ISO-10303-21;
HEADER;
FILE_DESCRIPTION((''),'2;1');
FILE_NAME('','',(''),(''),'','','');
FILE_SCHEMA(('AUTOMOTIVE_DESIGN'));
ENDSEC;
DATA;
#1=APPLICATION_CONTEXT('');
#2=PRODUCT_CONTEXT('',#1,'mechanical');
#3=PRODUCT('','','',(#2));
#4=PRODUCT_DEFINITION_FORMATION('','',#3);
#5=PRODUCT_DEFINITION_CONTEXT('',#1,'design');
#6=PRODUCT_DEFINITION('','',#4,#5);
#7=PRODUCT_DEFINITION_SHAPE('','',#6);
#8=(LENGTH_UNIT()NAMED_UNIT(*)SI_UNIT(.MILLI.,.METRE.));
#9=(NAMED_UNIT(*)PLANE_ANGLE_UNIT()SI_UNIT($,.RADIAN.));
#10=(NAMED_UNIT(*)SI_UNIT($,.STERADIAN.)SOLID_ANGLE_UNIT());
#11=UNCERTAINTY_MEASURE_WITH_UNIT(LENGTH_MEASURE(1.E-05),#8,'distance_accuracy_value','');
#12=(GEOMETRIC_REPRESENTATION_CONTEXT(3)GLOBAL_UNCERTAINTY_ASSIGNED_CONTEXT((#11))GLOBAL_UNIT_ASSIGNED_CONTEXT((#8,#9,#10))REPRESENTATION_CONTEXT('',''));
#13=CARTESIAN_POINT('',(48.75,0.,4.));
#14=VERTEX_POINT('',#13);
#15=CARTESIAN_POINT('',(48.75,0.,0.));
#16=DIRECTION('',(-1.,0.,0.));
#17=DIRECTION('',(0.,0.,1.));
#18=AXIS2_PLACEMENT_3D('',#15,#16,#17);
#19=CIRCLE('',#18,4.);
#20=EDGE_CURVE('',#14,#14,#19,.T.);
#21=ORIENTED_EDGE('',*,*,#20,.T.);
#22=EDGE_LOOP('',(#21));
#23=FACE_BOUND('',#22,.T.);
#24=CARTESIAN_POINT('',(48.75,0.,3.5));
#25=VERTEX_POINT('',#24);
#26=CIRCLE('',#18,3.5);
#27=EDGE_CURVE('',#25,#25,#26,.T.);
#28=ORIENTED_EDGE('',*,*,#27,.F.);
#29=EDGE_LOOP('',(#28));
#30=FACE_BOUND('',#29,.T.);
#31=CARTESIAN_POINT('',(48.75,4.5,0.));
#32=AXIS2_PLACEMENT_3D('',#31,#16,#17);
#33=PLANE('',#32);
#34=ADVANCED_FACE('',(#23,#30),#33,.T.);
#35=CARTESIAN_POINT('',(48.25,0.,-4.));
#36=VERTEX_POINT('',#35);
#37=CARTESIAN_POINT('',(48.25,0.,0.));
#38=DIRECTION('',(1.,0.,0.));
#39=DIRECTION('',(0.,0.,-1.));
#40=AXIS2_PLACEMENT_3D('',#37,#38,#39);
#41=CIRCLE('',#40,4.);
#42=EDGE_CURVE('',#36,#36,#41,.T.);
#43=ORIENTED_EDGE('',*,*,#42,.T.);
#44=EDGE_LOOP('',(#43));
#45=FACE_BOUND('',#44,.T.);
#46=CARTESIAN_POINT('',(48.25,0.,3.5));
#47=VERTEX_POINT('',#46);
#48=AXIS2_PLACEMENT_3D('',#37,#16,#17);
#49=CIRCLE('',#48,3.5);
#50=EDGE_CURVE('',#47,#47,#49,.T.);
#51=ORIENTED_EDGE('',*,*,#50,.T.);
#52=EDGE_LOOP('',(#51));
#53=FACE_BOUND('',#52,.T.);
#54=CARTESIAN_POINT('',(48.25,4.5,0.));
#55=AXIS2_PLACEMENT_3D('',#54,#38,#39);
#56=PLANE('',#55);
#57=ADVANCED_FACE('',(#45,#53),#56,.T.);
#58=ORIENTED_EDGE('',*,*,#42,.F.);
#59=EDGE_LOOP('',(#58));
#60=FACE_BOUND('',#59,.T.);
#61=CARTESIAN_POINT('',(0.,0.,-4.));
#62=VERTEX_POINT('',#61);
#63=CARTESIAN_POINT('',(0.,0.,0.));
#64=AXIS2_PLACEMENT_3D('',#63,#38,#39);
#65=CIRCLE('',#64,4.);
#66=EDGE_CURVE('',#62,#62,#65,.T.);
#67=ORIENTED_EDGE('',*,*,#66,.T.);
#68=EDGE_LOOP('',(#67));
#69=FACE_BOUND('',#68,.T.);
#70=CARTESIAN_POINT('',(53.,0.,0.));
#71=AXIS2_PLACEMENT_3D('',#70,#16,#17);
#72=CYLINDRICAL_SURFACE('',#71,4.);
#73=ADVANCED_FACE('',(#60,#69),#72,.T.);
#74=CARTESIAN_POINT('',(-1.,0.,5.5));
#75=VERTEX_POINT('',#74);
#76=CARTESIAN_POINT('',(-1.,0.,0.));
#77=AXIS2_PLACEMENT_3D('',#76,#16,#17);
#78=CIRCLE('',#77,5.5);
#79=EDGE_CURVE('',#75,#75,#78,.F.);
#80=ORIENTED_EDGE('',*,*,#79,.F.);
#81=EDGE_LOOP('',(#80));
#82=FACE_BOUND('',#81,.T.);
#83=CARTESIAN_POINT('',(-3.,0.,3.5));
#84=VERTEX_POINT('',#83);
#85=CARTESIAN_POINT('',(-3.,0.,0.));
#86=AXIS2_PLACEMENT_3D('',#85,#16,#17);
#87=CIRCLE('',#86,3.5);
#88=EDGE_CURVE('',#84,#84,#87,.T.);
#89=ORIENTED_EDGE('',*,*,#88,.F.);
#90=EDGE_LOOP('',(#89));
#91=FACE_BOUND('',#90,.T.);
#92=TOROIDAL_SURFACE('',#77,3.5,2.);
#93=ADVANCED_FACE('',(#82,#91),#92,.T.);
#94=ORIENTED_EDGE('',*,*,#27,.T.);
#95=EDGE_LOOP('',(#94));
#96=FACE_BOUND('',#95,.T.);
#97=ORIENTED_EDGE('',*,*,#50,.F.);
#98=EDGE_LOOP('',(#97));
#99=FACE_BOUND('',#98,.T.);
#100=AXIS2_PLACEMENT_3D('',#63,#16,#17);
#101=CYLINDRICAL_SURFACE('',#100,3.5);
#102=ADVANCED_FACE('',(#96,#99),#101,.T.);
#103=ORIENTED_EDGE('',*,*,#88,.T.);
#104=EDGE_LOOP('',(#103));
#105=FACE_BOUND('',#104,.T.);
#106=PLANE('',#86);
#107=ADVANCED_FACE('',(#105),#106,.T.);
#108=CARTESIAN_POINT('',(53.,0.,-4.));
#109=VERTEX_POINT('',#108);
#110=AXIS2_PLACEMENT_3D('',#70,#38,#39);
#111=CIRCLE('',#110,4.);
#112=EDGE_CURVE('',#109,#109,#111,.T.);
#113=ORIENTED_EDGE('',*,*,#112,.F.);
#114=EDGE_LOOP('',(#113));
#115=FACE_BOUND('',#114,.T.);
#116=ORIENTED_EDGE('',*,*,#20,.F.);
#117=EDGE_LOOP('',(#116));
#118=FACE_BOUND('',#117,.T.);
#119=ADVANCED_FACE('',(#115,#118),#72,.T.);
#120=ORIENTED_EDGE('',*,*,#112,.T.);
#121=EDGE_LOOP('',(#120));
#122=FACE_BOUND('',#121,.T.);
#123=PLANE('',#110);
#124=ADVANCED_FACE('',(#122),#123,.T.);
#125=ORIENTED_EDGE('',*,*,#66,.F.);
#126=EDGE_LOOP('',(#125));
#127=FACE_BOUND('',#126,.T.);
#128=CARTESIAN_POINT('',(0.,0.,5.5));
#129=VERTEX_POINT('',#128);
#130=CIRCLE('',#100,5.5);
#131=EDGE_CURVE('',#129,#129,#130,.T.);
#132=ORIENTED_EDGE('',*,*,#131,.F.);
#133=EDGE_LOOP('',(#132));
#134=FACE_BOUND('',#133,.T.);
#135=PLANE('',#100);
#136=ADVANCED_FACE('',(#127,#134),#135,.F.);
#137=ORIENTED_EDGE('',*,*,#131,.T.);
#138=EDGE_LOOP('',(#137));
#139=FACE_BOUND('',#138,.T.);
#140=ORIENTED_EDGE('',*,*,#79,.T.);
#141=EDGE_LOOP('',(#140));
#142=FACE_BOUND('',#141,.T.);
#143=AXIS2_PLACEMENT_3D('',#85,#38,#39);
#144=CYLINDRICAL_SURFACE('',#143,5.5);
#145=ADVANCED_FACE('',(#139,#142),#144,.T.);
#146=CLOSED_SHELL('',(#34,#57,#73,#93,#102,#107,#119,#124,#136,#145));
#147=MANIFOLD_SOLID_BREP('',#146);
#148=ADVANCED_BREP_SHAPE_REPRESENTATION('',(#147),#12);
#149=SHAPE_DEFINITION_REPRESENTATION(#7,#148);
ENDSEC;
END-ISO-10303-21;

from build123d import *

# Parameters (mm, degrees)
SKETCH1_R           = 4
BOSS_EXTRUDE1_DEPTH = 53
SKETCH2_R           = 5.5
BOSS_EXTRUDE2_DEPTH = 3
FILLET1_R           = 2
SKETCH4_W           = 0.5
SKETCH4_H           = 1


with BuildPart() as part:
    # Sketch1 → Boss-Extrude1 (new body)
    with BuildSketch(Plane(origin=(0, 0, 0), x_dir=(0, 0, -1), z_dir=(1, 0, 0))):
        Circle(SKETCH1_R)
    extrude(amount=BOSS_EXTRUDE1_DEPTH)

    # Sketch2 → Boss-Extrude2 (add)
    with BuildSketch(Plane.ZY):
        Circle(SKETCH2_R)
    extrude(amount=BOSS_EXTRUDE2_DEPTH)

    # Fillet1
    fillet1_edges = [part.edges().sort_by_distance(p)[0] for p in [
        (-3, 0, -5.5),
    ]]
    fillet(fillet1_edges, radius=FILLET1_R)

    # Sketch4 → Cut-Revolve1 (revolve, cut)
    with BuildSketch(Plane.XY, mode=Mode.PRIVATE) as cut_revolve1_sk:
        with Locations((48.5, 4)):
            Rectangle(SKETCH4_W, SKETCH4_H)
    revolve(cut_revolve1_sk.sketch.rotate(Axis((0, 0, 0), (1, 0, 0)), 90), axis=Axis((0, 0, 0), (1, 0, 0)), mode=Mode.SUBTRACT)


solid = part.part
